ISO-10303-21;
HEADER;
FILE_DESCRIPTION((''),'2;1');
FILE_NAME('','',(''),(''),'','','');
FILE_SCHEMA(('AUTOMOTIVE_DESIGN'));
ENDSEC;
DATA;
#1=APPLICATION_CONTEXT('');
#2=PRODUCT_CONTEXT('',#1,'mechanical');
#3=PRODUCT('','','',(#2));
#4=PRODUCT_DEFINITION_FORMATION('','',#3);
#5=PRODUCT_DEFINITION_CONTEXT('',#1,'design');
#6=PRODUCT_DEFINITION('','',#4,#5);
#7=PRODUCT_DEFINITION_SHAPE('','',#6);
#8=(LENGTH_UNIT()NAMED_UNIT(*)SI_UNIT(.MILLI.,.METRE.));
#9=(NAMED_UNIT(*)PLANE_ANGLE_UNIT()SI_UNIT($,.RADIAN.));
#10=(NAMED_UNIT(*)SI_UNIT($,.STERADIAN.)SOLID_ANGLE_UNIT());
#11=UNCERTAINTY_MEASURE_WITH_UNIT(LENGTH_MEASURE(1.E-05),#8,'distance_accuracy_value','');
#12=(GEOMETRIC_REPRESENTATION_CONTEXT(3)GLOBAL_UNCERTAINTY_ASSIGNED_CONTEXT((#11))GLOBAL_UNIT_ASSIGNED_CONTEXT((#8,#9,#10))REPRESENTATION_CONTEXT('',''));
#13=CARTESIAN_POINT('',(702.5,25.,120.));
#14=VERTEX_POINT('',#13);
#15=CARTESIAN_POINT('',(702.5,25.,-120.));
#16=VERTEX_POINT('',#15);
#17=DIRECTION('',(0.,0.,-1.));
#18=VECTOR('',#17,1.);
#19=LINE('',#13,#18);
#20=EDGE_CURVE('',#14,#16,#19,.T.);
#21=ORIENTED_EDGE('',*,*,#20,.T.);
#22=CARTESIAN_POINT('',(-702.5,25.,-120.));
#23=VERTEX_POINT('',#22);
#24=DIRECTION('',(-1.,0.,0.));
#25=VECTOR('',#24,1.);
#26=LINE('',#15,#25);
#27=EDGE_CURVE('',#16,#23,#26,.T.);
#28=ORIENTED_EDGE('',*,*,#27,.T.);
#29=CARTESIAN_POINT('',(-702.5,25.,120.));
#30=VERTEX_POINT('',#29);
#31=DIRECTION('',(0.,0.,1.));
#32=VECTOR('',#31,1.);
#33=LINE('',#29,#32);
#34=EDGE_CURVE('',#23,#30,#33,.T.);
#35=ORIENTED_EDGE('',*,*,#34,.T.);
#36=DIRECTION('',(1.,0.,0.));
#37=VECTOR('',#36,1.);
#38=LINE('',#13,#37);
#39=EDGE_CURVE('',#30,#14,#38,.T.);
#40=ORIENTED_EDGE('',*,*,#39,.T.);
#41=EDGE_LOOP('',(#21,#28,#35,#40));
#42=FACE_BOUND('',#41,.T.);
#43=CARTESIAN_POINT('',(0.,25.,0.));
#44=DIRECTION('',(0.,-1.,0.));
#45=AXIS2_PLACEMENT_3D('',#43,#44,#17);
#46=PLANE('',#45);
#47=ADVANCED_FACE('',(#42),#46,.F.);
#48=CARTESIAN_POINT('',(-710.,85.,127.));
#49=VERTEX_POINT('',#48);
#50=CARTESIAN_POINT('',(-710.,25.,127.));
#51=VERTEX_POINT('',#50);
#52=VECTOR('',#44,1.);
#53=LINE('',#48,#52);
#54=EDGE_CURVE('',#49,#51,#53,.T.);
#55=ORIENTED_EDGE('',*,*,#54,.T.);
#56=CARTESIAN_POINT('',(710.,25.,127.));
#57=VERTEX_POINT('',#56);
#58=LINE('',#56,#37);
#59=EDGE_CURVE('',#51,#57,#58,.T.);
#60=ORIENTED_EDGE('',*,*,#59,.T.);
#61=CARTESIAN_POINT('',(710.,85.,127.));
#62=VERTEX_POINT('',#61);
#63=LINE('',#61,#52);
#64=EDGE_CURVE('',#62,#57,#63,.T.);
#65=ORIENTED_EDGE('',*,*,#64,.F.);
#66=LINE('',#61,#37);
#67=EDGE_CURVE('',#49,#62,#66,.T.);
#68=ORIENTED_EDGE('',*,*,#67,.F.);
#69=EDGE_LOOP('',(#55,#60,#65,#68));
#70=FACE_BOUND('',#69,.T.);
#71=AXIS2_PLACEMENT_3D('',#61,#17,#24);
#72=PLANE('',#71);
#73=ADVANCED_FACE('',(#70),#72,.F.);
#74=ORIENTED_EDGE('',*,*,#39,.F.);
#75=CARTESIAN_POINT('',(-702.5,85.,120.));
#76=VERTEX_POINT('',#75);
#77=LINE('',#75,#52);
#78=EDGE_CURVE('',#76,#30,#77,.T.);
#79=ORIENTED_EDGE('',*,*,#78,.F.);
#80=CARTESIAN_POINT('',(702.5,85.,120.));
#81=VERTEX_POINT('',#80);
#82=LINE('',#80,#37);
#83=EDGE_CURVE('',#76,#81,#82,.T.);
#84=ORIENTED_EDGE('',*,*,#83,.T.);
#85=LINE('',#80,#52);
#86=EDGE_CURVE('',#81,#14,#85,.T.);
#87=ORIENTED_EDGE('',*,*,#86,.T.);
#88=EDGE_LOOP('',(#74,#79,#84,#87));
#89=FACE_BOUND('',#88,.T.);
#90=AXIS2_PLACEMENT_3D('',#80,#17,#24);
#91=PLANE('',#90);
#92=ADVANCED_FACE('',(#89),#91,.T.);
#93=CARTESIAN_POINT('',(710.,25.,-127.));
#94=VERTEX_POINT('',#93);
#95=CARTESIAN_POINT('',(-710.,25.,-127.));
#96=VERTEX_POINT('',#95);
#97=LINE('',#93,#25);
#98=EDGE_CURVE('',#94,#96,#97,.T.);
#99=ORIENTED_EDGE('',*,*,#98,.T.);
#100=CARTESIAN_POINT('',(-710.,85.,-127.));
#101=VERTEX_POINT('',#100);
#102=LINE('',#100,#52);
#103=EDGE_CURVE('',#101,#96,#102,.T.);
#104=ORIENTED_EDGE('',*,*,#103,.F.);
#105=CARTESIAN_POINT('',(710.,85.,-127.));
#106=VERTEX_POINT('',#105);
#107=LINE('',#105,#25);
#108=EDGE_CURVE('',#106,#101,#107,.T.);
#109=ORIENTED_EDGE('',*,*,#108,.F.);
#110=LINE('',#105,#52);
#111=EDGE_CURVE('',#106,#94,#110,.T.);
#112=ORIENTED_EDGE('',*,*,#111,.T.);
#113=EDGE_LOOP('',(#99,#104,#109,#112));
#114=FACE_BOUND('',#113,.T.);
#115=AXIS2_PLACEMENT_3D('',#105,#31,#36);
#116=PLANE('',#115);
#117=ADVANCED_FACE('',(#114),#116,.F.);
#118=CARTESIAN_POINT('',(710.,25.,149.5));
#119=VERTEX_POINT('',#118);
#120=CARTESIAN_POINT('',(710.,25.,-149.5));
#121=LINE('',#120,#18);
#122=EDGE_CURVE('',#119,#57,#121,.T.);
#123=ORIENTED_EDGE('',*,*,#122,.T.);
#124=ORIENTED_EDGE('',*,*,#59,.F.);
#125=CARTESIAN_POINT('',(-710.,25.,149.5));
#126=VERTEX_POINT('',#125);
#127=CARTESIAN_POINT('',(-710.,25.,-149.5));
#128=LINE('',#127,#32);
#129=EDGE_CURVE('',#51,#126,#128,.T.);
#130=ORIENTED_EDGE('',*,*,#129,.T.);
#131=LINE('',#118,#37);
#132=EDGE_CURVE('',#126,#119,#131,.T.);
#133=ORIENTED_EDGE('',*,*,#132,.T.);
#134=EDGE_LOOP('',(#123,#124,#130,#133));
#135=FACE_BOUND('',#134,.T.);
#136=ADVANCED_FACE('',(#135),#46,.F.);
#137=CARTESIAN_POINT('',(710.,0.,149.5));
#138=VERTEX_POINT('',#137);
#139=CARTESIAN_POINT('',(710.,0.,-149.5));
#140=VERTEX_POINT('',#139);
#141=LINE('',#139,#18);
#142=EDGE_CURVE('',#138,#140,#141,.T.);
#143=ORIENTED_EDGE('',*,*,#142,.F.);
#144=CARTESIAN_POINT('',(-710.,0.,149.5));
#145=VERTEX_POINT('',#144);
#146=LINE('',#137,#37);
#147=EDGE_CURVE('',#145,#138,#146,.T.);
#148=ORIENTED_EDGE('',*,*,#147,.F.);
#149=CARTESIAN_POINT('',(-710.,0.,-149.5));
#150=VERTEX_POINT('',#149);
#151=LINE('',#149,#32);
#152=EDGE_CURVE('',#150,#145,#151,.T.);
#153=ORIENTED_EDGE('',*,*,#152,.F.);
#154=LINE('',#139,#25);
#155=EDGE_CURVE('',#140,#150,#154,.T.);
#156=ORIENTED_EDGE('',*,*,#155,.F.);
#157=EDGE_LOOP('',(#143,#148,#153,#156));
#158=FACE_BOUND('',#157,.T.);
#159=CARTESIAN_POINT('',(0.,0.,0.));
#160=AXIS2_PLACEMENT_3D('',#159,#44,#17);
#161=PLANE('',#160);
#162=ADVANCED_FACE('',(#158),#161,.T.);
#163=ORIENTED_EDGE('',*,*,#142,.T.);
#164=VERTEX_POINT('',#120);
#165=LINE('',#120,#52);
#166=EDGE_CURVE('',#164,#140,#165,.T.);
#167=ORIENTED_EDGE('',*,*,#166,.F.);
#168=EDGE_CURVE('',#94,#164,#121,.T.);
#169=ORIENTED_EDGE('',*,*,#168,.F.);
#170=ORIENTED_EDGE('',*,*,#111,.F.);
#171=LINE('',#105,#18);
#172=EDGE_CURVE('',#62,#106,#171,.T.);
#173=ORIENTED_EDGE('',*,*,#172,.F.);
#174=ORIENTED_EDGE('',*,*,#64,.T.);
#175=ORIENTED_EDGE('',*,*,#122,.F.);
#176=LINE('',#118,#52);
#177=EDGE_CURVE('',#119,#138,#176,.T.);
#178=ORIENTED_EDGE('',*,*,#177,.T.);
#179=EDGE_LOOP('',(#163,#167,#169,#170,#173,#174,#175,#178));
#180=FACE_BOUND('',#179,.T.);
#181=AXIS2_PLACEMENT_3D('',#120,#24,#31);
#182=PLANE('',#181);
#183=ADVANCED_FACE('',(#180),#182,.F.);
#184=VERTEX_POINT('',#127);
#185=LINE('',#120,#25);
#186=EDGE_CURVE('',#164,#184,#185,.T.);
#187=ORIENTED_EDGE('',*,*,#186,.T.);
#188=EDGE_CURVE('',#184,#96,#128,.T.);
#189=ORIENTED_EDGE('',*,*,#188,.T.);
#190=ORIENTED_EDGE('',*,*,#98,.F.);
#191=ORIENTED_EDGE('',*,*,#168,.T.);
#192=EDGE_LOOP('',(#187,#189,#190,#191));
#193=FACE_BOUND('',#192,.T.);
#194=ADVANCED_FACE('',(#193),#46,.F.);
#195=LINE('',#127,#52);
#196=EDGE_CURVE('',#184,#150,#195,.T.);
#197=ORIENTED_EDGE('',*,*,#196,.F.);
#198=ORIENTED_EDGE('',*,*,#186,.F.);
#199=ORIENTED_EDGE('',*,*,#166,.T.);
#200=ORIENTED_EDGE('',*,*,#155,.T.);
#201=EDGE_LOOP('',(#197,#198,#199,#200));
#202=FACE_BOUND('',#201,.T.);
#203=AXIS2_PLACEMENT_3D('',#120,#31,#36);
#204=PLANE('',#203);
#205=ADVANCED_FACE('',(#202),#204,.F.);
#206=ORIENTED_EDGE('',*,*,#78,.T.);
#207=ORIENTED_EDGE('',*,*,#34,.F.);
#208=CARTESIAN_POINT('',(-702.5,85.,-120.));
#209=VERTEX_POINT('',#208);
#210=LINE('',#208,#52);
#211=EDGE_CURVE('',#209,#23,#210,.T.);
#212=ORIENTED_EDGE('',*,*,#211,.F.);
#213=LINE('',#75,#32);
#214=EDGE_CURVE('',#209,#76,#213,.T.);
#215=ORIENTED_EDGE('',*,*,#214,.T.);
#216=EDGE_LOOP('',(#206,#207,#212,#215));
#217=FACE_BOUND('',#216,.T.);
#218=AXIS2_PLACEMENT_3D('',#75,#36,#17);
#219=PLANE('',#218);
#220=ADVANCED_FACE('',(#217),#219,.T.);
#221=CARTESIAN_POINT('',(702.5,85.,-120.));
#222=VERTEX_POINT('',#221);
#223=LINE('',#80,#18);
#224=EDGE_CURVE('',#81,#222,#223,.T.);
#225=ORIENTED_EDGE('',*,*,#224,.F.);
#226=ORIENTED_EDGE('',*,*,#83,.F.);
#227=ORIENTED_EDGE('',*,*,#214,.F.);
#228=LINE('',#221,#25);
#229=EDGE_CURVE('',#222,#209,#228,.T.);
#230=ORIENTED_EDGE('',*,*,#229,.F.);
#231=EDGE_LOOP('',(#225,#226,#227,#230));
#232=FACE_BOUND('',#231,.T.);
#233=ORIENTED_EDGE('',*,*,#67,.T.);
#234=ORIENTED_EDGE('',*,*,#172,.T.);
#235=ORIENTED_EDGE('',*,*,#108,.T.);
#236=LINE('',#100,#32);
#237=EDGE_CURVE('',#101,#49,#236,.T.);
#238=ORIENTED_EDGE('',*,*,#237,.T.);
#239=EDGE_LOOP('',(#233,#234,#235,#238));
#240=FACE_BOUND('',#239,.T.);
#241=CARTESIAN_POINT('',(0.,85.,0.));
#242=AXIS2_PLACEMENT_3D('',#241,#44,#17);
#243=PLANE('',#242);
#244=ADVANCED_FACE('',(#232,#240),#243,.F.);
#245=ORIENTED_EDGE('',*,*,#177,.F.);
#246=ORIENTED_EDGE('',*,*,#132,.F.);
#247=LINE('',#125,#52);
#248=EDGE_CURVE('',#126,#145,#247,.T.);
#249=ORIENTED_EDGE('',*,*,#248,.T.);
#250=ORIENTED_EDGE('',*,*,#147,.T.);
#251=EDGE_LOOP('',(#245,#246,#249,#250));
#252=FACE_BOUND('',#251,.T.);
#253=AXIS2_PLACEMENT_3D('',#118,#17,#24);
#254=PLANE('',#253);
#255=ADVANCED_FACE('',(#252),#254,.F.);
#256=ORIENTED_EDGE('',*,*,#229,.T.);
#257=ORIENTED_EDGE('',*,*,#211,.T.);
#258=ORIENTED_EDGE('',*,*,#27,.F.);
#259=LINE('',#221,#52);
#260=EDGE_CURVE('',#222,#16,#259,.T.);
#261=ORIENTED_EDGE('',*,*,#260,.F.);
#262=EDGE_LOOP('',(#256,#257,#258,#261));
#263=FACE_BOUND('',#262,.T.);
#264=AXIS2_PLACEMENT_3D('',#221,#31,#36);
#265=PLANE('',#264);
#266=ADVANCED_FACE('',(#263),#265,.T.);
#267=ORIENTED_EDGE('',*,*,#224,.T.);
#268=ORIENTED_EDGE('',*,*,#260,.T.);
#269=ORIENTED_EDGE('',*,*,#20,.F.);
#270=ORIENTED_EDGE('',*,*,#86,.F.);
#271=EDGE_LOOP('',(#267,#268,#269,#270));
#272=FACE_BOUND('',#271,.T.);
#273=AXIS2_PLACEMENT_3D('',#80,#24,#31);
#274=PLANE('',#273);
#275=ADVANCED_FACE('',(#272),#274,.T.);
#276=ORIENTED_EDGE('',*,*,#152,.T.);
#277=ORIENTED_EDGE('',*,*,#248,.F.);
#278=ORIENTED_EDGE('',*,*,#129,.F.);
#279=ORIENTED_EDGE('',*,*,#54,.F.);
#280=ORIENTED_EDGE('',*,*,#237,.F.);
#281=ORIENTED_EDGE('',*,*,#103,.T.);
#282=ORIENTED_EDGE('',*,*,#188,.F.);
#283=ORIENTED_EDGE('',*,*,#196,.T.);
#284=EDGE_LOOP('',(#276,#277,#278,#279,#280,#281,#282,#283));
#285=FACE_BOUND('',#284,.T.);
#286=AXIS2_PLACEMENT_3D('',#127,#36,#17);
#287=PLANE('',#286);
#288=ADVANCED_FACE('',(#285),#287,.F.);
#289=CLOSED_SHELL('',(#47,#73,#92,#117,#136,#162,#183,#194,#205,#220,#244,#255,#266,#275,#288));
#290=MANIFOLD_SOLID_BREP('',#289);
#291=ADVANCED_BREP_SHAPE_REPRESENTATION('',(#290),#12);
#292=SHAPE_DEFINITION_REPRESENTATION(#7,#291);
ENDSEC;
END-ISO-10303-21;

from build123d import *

# Parameters (mm, degrees)
SKETCH2_W           = 1420
SKETCH2_H           = 299
BOSS_EXTRUDE1_DEPTH = 25
SKETCH3_W           = 1420
SKETCH3_H           = 254
SKETCH3_W_2         = 1405
SKETCH3_H_2         = 240
BOSS_EXTRUDE2_DEPTH = 60


with BuildPart() as part:
    # Sketch2 → Boss-Extrude1 (new body)
    with BuildSketch(Plane(origin=(0, 0, 0), x_dir=(1, 0, 0), z_dir=(0, 1, 0))):
        Rectangle(SKETCH2_W, SKETCH2_H)
    extrude(amount=BOSS_EXTRUDE1_DEPTH)

    # Sketch3 → Boss-Extrude2 (add)
    with BuildSketch(Plane(origin=(0, 25, 0), x_dir=(1, 0, 0), z_dir=(0, 1, 0))):
        Rectangle(SKETCH3_W, SKETCH3_H)
        Rectangle(SKETCH3_W_2, SKETCH3_H_2, mode=Mode.SUBTRACT)
    extrude(amount=BOSS_EXTRUDE2_DEPTH)


solid = part.part
